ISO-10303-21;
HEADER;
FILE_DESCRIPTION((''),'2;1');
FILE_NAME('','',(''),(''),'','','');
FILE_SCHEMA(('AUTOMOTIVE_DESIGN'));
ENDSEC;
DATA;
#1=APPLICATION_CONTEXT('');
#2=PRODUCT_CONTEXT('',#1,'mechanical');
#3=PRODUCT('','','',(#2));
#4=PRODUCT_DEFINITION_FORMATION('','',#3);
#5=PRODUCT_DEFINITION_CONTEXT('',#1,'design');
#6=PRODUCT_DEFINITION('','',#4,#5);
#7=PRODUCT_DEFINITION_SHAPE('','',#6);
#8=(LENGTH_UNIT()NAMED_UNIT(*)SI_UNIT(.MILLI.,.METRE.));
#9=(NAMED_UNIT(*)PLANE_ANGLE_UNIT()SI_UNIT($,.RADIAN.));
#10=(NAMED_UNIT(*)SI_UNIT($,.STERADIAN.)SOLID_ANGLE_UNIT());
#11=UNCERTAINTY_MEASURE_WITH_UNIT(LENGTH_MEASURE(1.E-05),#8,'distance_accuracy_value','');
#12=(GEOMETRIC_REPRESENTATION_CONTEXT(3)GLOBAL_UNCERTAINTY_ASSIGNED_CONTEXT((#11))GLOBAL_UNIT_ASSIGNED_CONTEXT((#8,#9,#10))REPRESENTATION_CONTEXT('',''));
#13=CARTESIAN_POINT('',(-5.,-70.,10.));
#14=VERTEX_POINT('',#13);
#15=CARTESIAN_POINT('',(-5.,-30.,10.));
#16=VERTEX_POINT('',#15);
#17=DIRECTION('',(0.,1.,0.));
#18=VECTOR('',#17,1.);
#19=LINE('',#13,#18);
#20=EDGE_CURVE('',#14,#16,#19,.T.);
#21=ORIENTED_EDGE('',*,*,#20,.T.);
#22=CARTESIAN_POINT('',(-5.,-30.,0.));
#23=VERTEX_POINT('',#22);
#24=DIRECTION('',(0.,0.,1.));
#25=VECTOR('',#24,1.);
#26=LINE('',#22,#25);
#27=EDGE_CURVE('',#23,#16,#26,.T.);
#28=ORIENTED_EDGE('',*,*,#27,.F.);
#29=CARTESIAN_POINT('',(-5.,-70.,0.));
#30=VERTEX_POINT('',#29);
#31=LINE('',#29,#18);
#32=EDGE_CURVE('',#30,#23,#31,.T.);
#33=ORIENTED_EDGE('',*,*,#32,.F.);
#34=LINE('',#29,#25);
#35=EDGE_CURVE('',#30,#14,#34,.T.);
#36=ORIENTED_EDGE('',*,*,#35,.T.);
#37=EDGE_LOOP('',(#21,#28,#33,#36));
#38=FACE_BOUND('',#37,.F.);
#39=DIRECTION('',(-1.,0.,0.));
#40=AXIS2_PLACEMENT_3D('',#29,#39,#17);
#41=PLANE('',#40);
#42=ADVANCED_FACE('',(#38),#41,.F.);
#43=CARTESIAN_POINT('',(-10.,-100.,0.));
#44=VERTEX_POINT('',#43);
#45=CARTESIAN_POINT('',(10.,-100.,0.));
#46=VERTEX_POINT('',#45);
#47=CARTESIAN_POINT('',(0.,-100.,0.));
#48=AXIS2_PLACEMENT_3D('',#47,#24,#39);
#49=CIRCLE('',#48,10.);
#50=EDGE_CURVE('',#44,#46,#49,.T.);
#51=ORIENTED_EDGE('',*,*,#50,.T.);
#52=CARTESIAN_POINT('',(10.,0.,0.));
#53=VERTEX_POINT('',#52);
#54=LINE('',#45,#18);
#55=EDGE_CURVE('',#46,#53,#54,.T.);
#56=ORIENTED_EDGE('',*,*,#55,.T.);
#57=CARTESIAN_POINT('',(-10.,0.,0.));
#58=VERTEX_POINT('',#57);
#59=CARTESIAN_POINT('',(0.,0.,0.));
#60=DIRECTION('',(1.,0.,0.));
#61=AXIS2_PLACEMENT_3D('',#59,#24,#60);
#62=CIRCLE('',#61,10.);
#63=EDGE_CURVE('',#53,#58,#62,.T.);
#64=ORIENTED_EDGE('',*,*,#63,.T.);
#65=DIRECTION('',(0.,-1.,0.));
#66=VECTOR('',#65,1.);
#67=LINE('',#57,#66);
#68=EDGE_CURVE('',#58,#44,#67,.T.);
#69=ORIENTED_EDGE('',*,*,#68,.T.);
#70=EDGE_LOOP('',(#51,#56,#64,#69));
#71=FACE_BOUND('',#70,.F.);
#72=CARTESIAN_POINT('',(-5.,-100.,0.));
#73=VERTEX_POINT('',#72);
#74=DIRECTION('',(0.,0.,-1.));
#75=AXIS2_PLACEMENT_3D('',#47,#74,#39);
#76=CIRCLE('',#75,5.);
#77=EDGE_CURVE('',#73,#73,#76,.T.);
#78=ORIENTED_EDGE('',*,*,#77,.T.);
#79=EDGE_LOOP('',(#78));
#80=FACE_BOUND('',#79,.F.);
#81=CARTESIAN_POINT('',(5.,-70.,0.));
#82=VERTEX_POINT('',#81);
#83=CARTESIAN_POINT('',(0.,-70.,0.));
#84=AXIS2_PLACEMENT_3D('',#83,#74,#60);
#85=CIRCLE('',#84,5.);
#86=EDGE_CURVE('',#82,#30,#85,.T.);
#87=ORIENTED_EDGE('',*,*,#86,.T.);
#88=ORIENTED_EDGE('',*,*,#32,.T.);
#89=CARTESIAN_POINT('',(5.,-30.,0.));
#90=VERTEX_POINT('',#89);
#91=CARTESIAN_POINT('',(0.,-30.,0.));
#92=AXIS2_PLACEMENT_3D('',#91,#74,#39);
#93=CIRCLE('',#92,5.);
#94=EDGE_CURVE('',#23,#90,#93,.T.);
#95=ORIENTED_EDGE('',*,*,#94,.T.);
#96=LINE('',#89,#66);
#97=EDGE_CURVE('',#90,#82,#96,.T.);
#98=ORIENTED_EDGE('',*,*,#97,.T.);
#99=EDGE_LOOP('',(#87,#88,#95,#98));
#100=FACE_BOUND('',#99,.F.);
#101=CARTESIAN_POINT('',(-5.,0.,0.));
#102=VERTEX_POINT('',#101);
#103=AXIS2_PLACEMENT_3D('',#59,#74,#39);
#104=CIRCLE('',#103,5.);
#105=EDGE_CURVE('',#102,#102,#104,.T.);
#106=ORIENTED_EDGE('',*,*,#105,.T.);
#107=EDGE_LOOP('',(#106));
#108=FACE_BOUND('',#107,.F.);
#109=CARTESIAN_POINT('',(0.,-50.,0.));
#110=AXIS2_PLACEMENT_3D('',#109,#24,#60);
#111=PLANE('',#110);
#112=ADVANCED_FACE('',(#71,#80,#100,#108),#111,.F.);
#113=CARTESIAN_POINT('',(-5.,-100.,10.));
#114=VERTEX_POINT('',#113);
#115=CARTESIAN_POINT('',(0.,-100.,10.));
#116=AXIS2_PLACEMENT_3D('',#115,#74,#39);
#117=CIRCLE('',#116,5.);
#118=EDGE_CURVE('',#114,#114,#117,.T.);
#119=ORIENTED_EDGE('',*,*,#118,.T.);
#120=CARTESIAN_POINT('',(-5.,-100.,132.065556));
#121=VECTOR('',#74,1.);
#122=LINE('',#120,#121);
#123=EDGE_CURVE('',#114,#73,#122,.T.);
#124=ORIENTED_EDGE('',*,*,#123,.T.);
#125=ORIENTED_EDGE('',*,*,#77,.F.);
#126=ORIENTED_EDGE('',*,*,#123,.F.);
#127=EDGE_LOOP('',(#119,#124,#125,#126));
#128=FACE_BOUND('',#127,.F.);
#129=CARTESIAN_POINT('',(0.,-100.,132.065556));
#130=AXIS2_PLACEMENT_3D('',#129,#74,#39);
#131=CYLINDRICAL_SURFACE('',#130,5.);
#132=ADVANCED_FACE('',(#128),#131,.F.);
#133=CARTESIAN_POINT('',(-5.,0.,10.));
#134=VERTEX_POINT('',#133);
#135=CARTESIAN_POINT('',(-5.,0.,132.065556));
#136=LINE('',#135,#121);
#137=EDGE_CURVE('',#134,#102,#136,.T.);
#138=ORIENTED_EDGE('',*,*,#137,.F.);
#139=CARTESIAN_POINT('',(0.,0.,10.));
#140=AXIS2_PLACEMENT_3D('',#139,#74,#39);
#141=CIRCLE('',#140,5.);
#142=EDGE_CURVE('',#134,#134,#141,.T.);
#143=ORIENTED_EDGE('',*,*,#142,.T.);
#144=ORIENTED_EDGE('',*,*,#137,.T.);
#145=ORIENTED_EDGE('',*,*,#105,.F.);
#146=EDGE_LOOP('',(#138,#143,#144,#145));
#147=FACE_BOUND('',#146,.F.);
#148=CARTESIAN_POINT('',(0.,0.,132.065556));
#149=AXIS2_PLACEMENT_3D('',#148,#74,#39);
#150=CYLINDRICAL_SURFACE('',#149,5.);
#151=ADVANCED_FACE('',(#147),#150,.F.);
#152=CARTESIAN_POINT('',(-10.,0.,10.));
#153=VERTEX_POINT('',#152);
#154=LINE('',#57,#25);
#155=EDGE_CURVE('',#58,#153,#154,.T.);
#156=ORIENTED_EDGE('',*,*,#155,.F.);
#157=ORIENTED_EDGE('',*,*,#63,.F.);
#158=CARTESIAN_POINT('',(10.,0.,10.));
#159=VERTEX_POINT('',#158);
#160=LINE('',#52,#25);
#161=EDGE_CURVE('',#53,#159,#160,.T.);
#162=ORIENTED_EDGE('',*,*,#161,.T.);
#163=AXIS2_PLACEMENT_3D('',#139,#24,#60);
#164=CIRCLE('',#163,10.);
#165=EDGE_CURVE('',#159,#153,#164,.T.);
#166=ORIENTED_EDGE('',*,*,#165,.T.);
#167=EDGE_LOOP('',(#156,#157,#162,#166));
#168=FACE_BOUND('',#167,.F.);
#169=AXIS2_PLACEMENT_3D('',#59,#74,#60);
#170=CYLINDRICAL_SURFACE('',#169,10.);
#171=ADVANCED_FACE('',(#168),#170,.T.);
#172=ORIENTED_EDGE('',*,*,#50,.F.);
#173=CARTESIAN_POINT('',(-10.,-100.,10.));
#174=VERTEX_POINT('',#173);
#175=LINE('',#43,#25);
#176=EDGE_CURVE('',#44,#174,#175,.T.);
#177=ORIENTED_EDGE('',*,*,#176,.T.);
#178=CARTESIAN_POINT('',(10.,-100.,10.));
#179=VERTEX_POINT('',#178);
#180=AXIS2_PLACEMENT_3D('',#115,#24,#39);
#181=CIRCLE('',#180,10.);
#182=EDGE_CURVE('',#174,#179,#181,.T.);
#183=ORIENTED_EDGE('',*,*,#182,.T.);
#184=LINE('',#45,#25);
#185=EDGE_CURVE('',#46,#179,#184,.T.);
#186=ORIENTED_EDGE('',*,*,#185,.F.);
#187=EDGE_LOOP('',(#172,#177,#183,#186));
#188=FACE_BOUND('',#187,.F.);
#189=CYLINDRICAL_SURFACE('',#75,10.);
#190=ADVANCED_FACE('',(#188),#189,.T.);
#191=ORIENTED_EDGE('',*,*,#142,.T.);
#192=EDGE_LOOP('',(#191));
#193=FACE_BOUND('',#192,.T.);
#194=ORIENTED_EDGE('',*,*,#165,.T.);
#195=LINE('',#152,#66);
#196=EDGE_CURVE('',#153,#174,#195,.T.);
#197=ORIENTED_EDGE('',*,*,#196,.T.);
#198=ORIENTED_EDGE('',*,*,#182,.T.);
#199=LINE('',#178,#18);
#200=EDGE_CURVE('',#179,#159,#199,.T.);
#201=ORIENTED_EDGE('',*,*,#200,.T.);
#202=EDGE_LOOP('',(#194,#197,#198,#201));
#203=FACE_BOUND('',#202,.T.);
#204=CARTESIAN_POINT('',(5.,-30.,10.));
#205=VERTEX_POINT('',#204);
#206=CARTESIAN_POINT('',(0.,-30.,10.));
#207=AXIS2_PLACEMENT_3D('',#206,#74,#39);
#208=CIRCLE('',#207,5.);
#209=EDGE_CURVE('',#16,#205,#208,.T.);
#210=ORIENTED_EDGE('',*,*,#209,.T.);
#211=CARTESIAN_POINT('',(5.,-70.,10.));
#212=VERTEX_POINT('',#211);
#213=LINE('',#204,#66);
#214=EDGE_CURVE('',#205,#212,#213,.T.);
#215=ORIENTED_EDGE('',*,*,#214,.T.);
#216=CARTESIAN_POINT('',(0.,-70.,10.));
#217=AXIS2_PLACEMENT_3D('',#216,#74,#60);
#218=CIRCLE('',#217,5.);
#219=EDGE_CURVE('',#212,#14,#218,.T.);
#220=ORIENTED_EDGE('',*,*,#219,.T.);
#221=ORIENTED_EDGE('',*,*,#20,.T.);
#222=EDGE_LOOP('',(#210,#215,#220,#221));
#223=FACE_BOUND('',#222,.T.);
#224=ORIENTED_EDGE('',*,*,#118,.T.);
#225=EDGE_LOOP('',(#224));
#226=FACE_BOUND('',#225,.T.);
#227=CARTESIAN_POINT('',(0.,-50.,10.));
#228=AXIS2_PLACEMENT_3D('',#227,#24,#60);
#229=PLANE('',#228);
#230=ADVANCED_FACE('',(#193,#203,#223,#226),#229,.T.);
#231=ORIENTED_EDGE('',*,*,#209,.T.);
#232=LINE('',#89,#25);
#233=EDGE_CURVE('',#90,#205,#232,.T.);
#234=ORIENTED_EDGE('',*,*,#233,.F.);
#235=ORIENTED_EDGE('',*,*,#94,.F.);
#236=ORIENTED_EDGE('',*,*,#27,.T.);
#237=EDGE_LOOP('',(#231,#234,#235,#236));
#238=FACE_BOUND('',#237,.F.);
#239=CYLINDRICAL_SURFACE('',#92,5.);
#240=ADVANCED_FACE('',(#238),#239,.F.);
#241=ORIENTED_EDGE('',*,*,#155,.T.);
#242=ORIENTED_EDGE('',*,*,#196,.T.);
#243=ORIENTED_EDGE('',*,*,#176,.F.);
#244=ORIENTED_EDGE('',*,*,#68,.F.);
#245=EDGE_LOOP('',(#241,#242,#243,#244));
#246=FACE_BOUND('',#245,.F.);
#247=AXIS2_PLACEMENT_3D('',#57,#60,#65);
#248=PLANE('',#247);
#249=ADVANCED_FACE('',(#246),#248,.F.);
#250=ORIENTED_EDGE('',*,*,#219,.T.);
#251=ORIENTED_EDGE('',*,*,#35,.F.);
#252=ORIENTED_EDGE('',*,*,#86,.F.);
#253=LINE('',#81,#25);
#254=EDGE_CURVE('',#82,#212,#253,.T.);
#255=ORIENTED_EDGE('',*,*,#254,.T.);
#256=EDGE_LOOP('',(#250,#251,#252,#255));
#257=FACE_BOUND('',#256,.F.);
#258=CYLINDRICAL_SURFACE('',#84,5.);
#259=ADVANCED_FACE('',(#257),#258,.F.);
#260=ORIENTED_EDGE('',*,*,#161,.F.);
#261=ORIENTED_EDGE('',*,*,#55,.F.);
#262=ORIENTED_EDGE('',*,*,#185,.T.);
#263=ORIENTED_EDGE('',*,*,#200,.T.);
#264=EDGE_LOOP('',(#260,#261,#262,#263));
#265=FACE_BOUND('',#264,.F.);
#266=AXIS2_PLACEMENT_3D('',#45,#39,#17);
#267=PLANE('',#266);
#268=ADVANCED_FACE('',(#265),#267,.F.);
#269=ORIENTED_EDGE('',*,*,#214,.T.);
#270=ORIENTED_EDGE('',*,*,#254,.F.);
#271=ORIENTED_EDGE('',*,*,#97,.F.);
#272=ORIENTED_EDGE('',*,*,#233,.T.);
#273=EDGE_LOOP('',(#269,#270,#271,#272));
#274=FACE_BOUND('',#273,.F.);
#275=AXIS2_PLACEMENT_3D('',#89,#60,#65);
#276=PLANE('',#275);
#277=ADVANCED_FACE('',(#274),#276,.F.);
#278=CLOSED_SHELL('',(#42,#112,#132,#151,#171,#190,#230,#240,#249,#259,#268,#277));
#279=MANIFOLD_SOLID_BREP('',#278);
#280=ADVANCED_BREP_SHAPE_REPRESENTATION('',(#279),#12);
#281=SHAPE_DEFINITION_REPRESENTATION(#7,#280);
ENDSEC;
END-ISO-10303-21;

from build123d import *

# Parameters (mm, degrees)
F1_DEPTH = 10
F3_D     = 10


with BuildPart() as f1:
    # F0 (on Top) → F1 (new body)
    with BuildSketch(Plane.XY):
        with BuildLine():
            Line((10, -100), (10, 0))
            ThreePointArc((10, 0), (0, 10), (-10, 0))
            Line((-10, 0), (-10, -100))
            ThreePointArc((-10, -100), (0, -110), (10, -100))
        make_face()
        with BuildLine():
            ThreePointArc((-5, -30), (0, -25), (5, -30))
            Line((5, -30), (5, -70))
            ThreePointArc((5, -70), (0, -75), (-5, -70))
            Line((-5, -70), (-5, -30))
        make_face(mode=Mode.SUBTRACT)
    extrude(amount=F1_DEPTH)

    # F3 (through all)
    with Locations(Plane.XY.offset(10)):
        with Locations((0, 0), (0, -100)):
            Hole(F3_D / 2)


solid = f1.part
